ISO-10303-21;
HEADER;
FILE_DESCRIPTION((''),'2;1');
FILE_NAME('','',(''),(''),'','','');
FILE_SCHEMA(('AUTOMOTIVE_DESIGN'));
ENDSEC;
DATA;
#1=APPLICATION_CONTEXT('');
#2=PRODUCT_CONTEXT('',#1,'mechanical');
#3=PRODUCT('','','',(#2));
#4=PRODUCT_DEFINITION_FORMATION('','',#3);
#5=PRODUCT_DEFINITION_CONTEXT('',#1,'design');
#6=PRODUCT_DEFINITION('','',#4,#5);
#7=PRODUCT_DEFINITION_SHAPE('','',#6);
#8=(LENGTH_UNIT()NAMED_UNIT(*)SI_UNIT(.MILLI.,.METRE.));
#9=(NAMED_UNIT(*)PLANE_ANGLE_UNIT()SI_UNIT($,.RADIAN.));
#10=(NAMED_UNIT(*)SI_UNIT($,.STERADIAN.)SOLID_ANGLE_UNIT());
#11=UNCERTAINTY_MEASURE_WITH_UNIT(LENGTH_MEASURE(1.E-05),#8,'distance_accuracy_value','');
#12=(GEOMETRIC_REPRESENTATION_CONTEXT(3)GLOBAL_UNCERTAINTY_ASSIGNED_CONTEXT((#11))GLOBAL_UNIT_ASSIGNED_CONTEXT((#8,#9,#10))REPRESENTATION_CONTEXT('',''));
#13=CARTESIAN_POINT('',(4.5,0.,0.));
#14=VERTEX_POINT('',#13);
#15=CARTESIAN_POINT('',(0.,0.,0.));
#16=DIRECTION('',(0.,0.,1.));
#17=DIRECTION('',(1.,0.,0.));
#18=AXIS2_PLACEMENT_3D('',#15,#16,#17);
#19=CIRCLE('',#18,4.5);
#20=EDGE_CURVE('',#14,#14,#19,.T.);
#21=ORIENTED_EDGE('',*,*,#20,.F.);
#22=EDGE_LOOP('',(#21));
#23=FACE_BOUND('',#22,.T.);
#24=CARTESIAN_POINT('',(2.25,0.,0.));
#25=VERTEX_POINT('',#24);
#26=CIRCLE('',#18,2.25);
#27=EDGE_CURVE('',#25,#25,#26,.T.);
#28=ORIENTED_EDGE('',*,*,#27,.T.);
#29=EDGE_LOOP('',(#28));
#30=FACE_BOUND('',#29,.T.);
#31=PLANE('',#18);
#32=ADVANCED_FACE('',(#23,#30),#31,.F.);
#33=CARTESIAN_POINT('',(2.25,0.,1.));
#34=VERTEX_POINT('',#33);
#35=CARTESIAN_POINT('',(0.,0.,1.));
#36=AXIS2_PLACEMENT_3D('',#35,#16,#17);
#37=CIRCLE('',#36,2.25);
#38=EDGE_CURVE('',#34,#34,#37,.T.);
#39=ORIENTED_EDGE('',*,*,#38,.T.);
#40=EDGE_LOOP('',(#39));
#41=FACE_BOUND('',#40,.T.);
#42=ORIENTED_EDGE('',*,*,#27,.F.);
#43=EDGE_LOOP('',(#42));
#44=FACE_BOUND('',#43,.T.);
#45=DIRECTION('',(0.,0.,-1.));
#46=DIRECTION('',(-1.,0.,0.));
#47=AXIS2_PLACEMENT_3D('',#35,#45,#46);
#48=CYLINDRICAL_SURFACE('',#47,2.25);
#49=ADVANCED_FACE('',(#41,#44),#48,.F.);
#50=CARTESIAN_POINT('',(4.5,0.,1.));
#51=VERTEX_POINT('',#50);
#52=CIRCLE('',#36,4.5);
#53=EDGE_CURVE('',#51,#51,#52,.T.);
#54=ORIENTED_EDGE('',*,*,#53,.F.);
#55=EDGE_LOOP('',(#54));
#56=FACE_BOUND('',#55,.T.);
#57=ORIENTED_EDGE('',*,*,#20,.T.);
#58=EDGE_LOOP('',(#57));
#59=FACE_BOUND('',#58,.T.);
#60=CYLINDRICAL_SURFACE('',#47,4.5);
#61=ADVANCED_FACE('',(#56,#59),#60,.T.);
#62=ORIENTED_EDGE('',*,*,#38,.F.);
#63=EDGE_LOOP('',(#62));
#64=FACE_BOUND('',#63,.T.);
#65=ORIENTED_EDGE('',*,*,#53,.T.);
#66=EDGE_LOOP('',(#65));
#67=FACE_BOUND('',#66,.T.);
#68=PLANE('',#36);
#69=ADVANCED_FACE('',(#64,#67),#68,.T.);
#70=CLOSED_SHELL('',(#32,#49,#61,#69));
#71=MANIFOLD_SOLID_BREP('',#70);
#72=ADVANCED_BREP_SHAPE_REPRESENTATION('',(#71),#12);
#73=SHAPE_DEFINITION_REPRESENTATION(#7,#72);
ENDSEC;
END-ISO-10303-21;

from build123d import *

# Parameters (mm, degrees)
SKETCH_1_R            = 4.5
EXTRUDE_246_DEPTH     = 1
SKETCH_2_R            = 2.25
CUT_EXTRUDE_315_DEPTH = 1


with BuildPart() as part:
    # 草图1 → Extrude 246 (new body)
    with BuildSketch(Plane.XY):
        Circle(SKETCH_1_R)
    extrude(amount=EXTRUDE_246_DEPTH)

    # 草图2 → Cut-Extrude 315 (cut)
    with BuildSketch(Plane.XY):
        Circle(SKETCH_2_R)
    extrude(amount=CUT_EXTRUDE_315_DEPTH, mode=Mode.SUBTRACT)


solid = part.part
